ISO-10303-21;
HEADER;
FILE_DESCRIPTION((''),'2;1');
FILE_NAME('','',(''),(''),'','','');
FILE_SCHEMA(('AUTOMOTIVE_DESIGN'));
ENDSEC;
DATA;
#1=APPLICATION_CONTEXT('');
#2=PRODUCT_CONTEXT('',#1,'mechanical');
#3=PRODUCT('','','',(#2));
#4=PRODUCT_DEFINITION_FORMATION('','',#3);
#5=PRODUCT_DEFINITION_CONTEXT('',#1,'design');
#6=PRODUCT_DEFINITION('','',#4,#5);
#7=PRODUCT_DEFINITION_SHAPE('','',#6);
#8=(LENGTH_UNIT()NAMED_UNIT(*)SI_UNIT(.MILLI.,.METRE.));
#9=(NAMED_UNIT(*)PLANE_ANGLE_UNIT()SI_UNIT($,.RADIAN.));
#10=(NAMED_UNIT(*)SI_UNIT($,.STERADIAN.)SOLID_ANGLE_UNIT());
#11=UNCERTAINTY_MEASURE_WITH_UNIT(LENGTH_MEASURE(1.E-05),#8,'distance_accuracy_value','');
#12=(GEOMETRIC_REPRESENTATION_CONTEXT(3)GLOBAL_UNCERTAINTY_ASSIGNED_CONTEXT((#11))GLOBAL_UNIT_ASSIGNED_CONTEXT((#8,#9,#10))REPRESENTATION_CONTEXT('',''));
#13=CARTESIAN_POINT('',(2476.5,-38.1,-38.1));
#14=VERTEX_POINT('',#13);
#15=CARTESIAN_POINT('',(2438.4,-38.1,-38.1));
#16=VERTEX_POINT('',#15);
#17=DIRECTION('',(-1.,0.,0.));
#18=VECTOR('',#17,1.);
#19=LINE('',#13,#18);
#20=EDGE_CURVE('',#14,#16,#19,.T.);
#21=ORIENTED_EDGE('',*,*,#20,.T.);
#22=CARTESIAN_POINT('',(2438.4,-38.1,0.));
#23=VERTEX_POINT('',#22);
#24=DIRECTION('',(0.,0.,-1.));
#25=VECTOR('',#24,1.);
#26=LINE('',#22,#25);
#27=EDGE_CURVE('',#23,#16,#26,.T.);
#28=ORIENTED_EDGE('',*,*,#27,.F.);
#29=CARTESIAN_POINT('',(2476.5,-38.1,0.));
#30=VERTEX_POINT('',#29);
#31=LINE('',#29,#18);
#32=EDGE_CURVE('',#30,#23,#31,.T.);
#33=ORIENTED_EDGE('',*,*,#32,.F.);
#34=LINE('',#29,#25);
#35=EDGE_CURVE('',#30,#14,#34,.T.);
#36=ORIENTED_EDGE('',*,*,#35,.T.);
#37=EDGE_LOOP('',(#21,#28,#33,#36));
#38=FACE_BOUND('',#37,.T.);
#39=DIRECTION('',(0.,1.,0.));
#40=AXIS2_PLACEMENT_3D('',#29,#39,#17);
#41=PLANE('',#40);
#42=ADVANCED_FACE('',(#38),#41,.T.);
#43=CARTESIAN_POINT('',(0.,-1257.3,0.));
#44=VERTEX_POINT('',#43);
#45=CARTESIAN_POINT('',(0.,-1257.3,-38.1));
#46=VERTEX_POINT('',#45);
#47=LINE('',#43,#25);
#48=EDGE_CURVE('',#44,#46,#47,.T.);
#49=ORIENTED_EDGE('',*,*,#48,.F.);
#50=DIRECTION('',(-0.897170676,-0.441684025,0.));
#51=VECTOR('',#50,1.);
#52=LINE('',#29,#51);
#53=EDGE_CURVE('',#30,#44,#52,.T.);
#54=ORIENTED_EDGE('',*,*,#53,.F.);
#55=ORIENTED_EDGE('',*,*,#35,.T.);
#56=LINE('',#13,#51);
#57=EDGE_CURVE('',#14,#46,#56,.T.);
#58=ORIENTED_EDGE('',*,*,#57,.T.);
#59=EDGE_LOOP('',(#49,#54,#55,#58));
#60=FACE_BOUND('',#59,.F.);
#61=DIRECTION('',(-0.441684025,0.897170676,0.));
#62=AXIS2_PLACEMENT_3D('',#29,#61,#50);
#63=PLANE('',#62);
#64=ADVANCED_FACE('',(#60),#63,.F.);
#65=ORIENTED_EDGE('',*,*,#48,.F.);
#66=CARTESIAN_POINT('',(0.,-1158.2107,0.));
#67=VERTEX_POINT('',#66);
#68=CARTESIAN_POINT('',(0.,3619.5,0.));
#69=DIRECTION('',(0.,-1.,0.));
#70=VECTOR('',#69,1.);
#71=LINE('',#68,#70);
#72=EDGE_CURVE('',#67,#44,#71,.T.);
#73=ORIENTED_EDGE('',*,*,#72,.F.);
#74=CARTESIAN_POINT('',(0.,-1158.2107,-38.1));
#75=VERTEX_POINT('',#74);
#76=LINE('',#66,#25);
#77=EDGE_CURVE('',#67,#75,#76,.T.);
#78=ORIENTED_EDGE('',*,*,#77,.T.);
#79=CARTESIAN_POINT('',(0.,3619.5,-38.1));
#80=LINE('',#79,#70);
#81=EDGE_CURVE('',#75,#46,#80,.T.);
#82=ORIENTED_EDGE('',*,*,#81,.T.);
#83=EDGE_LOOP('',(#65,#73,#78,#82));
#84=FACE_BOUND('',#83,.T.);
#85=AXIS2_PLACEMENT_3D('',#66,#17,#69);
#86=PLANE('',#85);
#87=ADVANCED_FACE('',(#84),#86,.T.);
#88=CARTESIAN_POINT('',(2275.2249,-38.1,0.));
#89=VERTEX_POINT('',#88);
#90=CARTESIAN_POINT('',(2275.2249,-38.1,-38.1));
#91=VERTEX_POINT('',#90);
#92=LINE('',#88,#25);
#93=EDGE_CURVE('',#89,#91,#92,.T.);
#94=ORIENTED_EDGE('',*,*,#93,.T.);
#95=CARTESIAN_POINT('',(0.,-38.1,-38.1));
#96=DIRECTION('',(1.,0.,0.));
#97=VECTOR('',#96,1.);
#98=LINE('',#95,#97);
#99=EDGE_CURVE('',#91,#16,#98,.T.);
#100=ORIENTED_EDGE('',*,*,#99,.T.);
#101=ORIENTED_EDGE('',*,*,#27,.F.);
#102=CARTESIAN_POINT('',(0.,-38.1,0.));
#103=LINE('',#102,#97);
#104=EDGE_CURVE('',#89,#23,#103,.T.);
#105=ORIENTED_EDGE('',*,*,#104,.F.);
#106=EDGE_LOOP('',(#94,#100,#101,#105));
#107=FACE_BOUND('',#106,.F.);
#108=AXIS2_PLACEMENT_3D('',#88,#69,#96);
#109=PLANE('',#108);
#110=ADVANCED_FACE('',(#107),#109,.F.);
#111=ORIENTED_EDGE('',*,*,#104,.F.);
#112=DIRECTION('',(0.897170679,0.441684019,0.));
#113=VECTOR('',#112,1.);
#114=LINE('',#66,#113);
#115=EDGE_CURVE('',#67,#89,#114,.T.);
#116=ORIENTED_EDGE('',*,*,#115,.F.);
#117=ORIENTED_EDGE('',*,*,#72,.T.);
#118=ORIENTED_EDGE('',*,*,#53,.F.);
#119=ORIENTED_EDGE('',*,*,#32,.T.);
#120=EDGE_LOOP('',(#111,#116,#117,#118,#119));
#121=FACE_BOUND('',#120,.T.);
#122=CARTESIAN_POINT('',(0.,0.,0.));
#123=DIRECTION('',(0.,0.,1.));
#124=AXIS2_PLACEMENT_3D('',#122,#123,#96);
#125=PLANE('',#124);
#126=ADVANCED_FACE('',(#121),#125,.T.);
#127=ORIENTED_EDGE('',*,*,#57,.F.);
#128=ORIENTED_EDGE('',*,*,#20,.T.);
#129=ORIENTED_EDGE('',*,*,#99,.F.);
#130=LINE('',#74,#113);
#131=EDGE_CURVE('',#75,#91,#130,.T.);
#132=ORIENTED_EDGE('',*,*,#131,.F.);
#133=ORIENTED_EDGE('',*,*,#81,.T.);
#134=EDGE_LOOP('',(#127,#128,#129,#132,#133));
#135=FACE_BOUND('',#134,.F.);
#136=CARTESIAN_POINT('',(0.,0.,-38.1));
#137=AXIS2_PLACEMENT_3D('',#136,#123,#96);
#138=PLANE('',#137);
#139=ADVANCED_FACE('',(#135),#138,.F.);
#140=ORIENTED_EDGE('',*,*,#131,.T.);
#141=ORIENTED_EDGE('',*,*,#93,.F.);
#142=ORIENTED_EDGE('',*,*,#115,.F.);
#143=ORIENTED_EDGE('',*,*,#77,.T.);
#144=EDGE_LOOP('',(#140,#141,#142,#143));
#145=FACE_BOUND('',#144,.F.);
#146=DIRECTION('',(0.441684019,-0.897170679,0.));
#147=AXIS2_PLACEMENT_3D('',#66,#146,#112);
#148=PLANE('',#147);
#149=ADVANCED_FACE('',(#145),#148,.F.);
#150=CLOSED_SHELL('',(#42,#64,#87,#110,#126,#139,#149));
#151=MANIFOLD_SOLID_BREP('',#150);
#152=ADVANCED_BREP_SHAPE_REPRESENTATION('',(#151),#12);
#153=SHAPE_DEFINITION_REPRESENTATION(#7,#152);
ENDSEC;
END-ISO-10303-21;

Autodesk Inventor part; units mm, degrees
ref_plane "YZ Plane" through (0, 0, 0) normal (1, 0, 0) x (0, 1, 0)
ref_plane "XZ Plane" through (0, 0, 0) normal (0, 1, 0) x (-1, 0, 0)
ref_plane "XY Plane" through (0, 0, 0) normal (0, 0, 1) x (1, 0, 0)
sketch "Sketch1" plane through (0, 0, 0) normal (0, 0, 1) x (1, 0, 0)
  line L0 (0, 3619.5) -> (0, -1257.3) projected
  line L1 (0, -38.1) -> (2438.4, -38.1) projected
  line L2 (2476.5, -38.1) -> (2438.4, -38.1) projected
  line L3 (2476.5, -38.1) -> (0, -1257.3)
  line L4 (0, -1158.2107) -> (2275.2249, -38.1)
  line L5 (2275.2249, -38.1) -> (2476.5, -38.1)
  line L6 (0, -1257.3) -> (0, -1158.2107)
  point P0 (0, 0)
  dimension "d0" = 88.9
extrude "Extrusion1" add sketch "Sketch1" against normal blind 38.1 contours L4 L1 L2 L3 L0
properties part number "S_2x4x108.675"
